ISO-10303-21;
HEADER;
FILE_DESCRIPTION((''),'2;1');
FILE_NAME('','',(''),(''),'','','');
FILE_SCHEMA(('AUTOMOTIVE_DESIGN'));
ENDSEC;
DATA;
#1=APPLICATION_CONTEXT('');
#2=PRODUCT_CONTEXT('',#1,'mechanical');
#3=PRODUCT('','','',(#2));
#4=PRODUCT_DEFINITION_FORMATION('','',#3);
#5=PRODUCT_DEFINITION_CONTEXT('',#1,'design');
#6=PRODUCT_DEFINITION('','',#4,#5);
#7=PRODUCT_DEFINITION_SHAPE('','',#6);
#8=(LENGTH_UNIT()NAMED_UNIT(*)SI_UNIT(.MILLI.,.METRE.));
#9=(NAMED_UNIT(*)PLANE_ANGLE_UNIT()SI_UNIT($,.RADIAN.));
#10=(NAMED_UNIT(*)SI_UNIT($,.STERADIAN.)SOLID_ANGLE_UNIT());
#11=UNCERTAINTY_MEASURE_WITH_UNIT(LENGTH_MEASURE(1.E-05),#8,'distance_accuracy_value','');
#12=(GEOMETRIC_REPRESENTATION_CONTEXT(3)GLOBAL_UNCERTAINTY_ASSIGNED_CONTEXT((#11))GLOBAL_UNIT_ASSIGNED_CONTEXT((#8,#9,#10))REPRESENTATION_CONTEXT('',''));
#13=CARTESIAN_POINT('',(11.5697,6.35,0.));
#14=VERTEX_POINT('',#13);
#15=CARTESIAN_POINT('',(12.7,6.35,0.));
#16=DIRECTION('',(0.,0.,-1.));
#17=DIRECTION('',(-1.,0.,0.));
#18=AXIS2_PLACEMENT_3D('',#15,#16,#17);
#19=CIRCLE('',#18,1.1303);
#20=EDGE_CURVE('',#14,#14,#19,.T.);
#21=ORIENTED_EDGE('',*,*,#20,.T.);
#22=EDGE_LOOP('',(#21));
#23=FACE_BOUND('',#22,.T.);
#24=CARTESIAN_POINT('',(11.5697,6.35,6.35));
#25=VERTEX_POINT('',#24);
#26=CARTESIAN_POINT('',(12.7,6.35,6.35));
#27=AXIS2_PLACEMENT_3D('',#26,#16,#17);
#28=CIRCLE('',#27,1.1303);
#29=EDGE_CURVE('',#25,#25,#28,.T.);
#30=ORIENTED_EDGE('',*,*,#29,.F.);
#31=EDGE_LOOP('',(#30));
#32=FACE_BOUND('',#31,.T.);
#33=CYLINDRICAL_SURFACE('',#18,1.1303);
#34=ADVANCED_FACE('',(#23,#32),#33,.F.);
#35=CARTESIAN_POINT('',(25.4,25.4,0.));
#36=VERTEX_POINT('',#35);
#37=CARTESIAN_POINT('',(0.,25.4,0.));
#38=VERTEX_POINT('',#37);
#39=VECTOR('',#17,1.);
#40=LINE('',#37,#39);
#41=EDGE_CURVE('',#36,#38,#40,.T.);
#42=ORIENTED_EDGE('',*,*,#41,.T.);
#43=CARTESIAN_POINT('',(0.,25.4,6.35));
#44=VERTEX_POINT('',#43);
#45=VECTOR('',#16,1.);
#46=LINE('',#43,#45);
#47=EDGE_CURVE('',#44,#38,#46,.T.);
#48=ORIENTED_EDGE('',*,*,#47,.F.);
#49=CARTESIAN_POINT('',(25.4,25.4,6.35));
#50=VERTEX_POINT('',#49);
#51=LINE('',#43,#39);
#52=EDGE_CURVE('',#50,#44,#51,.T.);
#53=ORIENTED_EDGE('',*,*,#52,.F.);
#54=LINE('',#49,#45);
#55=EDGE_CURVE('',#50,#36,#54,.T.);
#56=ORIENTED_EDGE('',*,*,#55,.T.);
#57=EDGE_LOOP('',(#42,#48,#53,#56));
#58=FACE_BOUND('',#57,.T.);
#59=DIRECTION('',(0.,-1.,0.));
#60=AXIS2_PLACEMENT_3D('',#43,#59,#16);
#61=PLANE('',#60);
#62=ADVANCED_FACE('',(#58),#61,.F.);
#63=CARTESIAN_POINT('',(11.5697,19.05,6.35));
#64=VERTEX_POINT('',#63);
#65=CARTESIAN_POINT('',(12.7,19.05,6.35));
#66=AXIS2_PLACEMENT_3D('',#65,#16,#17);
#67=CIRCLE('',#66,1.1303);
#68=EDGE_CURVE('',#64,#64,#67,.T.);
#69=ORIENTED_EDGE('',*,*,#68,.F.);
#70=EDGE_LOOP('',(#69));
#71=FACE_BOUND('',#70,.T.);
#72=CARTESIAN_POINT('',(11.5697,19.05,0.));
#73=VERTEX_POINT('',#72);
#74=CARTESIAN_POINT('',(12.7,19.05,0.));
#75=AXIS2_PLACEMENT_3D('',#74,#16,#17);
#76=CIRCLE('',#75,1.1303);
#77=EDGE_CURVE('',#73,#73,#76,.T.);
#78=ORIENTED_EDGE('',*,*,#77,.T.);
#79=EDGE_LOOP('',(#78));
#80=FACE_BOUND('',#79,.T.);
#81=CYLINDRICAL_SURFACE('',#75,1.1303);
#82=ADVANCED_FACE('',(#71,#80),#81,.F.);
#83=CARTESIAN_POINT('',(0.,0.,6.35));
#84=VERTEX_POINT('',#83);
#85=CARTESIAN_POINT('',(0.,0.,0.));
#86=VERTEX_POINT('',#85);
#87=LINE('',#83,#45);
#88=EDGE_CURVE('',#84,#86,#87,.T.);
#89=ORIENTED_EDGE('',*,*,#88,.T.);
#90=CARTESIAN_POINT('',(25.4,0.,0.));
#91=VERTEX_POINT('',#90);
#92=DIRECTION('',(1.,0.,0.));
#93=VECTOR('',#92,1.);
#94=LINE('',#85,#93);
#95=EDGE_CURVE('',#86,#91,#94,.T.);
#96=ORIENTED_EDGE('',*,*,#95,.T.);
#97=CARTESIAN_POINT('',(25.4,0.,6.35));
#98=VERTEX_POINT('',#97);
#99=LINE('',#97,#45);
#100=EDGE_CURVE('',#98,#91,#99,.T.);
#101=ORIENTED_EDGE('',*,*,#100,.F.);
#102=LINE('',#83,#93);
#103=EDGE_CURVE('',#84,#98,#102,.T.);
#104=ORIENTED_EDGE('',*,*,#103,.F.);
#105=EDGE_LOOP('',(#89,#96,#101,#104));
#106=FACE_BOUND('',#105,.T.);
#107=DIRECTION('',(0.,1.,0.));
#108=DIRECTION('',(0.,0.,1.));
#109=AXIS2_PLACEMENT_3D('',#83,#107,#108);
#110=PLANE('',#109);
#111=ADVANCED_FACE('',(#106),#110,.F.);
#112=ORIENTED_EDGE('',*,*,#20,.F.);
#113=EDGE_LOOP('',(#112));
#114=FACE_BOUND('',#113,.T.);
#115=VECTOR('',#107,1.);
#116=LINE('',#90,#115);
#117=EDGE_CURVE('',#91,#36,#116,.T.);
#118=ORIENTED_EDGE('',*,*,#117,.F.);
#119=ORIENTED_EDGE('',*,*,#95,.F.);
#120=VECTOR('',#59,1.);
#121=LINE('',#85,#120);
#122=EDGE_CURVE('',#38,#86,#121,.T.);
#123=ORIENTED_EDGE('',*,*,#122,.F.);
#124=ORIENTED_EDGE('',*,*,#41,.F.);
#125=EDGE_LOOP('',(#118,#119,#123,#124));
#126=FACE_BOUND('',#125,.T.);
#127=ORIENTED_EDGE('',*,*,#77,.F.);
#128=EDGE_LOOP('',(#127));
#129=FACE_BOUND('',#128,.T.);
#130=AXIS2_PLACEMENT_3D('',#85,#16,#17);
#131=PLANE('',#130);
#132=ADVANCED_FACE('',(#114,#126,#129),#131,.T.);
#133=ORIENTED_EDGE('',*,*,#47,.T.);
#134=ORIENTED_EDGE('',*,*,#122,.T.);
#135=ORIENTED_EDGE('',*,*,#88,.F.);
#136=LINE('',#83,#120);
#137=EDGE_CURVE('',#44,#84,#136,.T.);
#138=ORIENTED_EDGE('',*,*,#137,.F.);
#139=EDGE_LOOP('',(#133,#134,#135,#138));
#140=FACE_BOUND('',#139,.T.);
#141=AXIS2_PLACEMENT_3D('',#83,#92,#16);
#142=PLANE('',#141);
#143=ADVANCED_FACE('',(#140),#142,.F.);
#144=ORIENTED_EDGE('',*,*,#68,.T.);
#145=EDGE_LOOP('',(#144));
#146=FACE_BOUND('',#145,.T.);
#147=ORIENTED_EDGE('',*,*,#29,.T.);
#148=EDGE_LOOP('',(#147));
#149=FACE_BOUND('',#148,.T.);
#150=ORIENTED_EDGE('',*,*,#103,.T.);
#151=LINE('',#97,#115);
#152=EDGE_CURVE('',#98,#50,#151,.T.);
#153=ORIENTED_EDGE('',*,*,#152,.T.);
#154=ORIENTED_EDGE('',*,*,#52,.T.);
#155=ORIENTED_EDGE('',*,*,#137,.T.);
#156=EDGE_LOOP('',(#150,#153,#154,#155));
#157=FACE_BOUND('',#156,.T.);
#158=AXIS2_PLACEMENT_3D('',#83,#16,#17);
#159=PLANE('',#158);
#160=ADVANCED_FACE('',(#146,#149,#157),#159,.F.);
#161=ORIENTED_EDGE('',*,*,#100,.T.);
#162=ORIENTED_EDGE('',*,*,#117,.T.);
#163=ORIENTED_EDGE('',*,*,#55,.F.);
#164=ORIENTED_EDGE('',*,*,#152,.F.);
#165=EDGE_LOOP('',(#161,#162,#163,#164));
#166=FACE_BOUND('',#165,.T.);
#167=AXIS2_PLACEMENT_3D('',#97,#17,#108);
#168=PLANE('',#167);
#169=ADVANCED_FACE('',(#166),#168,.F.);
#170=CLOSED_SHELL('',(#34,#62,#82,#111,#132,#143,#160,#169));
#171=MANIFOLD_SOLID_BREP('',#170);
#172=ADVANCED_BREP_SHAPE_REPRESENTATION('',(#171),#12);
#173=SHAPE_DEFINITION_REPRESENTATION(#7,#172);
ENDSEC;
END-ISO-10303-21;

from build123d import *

# Parameters (mm, degrees)
SKETCH1_W                   = 25.4
SKETCH1_H                   = 25.4
BOSS_EXTRUDE1_DEPTH         = 6.35
F_43_0_089_DIAMETER_HOLE1_D = 2.2606


with BuildPart() as part:
    # Sketch1 → Boss-Extrude1 (new body)
    with BuildSketch(Plane.XY):
        with Locations((12.7, 12.7)):
            Rectangle(SKETCH1_W, SKETCH1_H)
    extrude(amount=BOSS_EXTRUDE1_DEPTH)

    # #43 (0.089) Diameter Hole1 (through all)
    with Locations(Plane(origin=(0, 0, 0), x_dir=(-1, 0, 0), z_dir=(0, 0, -1))):
        with Locations((-12.7, 6.35), (-12.7, 19.05)):
            Hole(F_43_0_089_DIAMETER_HOLE1_D / 2)


solid = part.part
